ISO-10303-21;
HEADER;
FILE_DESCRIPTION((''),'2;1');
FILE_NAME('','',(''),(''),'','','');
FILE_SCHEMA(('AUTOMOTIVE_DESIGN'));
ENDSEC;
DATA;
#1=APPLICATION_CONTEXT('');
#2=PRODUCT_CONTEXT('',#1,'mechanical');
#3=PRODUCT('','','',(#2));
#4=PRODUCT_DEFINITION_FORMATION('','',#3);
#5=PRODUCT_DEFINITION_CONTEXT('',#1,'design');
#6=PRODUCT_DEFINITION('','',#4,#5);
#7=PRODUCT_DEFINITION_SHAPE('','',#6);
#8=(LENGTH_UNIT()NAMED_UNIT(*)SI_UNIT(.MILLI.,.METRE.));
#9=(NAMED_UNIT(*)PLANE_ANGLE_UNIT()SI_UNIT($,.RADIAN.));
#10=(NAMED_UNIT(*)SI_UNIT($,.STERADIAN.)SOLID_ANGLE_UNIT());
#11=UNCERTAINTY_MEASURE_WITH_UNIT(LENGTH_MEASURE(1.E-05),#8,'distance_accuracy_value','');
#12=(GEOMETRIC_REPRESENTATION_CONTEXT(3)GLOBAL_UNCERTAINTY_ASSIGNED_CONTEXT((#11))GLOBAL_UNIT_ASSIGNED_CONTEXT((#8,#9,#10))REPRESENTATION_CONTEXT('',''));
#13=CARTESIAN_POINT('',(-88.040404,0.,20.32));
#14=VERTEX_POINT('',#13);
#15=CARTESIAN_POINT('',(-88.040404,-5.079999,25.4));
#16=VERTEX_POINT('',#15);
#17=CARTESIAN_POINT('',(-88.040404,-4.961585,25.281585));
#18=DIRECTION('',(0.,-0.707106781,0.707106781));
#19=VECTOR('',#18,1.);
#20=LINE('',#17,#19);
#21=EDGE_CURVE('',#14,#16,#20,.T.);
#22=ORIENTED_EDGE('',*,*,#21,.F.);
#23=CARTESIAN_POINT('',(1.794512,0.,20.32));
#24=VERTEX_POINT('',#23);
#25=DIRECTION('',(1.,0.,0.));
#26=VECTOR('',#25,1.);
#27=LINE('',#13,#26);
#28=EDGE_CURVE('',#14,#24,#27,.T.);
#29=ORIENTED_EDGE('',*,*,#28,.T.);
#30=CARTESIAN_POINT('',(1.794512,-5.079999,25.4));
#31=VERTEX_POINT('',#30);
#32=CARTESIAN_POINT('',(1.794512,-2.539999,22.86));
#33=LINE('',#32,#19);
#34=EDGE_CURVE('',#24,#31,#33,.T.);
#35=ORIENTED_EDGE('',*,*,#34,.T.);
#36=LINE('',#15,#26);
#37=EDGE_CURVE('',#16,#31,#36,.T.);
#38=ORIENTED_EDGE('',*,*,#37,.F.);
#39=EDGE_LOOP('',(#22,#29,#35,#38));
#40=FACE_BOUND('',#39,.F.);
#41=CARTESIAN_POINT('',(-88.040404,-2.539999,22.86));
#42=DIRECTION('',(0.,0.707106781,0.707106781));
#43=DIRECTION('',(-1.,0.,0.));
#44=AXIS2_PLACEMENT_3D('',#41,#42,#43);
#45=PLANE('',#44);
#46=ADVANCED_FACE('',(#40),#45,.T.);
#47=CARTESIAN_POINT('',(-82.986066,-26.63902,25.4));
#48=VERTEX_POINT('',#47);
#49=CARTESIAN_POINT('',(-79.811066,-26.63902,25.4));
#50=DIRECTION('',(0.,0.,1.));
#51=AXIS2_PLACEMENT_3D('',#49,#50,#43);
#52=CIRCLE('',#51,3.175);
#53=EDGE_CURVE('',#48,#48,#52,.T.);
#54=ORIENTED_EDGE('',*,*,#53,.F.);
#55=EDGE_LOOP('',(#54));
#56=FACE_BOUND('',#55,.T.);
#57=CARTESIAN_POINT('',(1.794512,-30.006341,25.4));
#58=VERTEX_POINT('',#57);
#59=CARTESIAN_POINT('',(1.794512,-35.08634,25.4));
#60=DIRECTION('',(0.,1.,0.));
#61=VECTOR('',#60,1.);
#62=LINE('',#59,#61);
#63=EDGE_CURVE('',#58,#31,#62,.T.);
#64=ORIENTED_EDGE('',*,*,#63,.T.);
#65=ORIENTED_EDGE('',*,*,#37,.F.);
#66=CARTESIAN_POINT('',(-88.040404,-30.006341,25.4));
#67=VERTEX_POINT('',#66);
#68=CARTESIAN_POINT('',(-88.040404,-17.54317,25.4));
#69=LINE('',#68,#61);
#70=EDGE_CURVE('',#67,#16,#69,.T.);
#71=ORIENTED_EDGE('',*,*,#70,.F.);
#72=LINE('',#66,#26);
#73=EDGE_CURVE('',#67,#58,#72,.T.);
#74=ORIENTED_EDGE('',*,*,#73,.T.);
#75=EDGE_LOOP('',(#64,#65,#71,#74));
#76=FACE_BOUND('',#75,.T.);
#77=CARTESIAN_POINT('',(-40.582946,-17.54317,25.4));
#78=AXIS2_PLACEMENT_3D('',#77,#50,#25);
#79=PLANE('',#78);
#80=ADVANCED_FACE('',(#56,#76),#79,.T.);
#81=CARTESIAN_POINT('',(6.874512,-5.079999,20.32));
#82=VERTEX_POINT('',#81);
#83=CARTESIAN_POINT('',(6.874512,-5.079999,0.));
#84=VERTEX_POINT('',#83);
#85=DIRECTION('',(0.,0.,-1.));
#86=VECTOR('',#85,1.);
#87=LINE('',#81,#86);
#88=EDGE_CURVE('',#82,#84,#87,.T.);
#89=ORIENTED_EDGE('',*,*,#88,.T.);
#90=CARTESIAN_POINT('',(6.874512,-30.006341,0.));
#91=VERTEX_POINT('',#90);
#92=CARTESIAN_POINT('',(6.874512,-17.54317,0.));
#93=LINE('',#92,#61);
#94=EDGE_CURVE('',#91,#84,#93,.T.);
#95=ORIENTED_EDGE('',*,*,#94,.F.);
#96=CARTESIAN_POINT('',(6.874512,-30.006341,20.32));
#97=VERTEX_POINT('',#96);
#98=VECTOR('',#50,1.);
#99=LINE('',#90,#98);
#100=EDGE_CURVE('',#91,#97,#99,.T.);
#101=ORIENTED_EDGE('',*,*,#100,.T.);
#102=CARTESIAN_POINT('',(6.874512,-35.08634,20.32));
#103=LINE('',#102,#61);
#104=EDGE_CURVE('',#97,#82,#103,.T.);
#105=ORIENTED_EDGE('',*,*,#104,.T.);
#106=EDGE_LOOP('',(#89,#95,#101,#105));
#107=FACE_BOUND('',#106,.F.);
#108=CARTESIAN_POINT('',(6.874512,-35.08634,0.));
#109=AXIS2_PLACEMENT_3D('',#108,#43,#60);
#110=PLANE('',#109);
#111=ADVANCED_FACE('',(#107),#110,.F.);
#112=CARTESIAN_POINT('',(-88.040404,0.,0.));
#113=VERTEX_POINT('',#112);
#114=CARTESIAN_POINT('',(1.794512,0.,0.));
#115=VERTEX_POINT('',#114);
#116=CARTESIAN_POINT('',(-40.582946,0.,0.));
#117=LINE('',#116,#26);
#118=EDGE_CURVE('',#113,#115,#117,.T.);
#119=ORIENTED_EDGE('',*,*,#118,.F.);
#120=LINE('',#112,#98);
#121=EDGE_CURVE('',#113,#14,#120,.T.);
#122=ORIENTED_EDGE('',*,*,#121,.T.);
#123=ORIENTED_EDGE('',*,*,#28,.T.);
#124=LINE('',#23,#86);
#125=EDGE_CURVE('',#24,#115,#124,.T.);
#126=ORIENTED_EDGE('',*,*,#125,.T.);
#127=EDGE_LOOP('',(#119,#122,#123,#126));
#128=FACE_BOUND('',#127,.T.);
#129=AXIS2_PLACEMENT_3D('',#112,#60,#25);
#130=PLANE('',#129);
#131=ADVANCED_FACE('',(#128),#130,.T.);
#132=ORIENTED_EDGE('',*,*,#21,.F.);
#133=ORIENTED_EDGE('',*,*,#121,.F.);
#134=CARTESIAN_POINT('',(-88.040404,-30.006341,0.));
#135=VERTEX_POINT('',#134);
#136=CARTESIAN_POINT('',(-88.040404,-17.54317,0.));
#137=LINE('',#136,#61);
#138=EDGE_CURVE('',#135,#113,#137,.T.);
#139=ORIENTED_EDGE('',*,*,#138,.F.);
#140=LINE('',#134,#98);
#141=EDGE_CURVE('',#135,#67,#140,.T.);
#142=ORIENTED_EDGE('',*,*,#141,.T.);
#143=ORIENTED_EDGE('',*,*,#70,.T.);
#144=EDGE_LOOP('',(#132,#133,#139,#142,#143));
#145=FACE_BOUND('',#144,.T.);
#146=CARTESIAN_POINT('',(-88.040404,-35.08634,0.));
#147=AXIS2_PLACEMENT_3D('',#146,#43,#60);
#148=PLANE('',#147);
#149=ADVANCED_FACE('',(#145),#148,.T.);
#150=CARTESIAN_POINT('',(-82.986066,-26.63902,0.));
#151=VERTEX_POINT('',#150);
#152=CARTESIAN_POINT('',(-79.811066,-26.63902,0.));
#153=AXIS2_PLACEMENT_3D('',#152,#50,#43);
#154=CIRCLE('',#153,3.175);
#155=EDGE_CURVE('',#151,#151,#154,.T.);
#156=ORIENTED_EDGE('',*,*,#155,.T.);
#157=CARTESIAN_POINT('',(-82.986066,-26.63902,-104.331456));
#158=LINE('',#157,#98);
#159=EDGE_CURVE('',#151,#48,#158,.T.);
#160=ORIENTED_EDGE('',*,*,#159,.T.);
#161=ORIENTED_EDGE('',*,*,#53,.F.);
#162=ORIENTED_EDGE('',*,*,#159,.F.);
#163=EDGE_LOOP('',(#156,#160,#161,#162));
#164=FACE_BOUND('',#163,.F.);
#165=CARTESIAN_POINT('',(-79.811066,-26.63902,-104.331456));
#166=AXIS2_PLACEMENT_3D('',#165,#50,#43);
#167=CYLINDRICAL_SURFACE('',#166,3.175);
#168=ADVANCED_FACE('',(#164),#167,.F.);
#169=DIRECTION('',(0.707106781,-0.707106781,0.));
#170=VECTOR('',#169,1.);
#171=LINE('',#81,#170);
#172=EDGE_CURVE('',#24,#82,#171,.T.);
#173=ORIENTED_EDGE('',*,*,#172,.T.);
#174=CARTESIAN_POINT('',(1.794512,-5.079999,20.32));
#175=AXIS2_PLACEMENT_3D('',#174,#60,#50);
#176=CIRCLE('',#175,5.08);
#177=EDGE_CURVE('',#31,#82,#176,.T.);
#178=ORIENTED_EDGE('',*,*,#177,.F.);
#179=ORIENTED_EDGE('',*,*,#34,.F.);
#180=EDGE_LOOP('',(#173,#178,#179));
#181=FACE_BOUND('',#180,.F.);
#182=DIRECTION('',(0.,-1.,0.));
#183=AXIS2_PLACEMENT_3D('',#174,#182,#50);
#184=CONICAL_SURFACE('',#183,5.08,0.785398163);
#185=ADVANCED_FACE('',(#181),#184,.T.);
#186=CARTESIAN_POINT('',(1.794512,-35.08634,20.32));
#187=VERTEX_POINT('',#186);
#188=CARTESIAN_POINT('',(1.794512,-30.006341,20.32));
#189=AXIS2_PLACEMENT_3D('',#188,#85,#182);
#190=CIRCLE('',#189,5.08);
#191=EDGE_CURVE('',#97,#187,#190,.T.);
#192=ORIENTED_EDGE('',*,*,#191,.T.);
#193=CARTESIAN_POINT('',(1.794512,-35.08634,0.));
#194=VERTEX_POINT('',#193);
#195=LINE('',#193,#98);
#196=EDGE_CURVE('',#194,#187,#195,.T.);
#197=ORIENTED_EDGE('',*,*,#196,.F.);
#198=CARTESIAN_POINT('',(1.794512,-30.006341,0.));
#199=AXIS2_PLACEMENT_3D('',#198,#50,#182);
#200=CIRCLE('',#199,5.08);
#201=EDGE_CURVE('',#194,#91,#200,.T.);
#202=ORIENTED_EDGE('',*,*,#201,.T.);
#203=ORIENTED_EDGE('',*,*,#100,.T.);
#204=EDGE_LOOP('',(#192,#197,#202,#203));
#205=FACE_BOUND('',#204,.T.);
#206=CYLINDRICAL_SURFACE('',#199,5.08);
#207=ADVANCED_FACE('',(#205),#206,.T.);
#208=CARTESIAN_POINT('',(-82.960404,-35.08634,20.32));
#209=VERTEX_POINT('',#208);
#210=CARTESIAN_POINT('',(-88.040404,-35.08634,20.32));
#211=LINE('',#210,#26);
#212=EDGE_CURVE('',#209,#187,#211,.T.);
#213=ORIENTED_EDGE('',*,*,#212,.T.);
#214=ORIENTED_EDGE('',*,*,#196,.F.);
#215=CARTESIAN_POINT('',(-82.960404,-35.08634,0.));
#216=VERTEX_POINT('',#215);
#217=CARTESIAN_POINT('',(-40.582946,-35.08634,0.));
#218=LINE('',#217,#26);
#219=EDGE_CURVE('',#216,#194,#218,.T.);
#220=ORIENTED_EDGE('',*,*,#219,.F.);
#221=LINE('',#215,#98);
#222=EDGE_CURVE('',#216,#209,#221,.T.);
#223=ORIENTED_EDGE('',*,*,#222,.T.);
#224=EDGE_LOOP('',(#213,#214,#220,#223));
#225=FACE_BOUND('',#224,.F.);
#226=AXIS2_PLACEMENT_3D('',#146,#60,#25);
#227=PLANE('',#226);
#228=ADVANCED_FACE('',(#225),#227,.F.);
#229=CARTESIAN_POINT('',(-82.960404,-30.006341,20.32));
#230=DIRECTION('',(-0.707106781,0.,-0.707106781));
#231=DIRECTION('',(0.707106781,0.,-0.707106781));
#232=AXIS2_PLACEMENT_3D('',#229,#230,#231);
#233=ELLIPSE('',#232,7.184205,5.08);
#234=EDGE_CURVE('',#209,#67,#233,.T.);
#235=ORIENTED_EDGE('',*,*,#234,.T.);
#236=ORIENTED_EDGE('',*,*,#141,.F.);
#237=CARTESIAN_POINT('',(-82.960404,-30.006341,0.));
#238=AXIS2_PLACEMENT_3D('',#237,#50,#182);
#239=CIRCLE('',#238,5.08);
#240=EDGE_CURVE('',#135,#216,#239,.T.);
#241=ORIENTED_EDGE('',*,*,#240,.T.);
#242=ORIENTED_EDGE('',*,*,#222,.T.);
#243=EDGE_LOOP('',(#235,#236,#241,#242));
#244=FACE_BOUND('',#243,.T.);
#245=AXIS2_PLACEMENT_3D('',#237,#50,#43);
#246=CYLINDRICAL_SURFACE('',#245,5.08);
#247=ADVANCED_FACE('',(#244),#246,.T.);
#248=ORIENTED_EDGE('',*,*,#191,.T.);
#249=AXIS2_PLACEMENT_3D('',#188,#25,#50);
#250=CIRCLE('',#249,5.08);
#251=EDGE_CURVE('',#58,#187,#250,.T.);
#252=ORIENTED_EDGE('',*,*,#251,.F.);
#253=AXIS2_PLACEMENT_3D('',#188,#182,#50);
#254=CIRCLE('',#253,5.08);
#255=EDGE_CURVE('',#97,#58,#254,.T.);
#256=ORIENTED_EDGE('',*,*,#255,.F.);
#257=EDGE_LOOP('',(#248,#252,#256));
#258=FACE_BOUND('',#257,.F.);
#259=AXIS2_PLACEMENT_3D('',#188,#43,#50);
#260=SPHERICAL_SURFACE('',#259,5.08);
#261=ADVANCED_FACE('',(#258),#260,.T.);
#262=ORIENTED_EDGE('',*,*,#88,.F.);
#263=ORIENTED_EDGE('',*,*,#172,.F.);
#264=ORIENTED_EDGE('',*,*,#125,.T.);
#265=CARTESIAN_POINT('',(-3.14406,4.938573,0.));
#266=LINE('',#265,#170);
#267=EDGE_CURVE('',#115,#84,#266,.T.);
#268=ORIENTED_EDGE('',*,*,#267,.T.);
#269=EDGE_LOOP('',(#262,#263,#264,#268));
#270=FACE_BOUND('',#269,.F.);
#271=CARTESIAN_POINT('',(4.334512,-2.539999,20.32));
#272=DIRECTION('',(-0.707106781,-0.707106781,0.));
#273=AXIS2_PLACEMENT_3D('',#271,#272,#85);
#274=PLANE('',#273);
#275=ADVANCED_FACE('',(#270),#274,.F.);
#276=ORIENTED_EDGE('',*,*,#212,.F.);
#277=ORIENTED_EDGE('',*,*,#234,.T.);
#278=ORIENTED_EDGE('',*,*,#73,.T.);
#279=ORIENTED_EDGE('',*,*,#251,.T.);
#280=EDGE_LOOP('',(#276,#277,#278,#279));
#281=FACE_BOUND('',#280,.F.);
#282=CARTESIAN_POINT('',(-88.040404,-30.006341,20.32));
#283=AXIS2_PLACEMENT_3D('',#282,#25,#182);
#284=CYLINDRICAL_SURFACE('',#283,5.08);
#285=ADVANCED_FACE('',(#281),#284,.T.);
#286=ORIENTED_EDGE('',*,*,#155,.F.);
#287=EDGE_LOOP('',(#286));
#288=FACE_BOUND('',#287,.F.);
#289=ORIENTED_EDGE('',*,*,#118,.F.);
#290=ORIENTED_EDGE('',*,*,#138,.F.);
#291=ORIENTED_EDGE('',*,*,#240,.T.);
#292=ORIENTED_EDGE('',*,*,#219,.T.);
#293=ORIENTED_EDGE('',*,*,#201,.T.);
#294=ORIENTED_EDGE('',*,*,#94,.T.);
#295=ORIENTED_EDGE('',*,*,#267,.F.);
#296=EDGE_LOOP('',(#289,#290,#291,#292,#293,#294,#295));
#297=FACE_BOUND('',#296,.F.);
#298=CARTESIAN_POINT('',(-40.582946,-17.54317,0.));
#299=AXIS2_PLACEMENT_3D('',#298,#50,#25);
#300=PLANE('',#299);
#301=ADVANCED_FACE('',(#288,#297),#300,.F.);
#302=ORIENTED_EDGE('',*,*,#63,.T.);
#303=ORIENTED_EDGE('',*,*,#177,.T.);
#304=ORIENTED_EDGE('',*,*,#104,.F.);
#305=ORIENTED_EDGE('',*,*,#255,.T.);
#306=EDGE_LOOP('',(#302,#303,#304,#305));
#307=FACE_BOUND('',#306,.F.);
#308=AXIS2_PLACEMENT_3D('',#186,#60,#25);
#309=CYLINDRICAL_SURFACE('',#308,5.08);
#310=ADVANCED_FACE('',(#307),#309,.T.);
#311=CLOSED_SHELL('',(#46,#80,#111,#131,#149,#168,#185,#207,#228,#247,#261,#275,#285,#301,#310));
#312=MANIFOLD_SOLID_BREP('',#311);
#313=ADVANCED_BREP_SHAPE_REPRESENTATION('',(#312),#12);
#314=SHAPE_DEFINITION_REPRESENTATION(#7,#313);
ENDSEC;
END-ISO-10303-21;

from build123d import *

# Parameters (mm, degrees)
F0_W     = 94.914917
F0_H     = 35.086341
F1_DEPTH = 25.4
F2_R     = 5.08
F3_SIZE  = 5.08
F5_D     = 6.35


with BuildPart() as f1:
    # F0 (on Top) → F1 (new body)
    with BuildSketch(Plane.XY):
        with Locations((-40.582946, -17.54317)):
            Rectangle(F0_W, F0_H)
    extrude(amount=F1_DEPTH)

    # F2
    f2_edges = [f1.edges().sort_by_distance(p)[0] for p in [
        (-40.582946, -35.086341, 25.4),
        (6.874513, -17.543171, 25.4),
        (6.874513, -35.086341, 12.7),
        (-88.040404, -35.086341, 12.7),
    ]]
    fillet(f2_edges, radius=F2_R)

    # F3
    f3_edges = [f1.edges().sort_by_distance(p)[0] for p in [
        (-43.122946, 0, 25.4),
    ]]
    chamfer(f3_edges, length=F3_SIZE)

    # F5 (through all)
    with Locations(Plane(origin=(0, 0, 0), x_dir=(1, 0, 0), z_dir=(0, 0, -1))):
        with Locations((-79.811066, 26.63902)):
            Hole(F5_D / 2)


solid = f1.part
